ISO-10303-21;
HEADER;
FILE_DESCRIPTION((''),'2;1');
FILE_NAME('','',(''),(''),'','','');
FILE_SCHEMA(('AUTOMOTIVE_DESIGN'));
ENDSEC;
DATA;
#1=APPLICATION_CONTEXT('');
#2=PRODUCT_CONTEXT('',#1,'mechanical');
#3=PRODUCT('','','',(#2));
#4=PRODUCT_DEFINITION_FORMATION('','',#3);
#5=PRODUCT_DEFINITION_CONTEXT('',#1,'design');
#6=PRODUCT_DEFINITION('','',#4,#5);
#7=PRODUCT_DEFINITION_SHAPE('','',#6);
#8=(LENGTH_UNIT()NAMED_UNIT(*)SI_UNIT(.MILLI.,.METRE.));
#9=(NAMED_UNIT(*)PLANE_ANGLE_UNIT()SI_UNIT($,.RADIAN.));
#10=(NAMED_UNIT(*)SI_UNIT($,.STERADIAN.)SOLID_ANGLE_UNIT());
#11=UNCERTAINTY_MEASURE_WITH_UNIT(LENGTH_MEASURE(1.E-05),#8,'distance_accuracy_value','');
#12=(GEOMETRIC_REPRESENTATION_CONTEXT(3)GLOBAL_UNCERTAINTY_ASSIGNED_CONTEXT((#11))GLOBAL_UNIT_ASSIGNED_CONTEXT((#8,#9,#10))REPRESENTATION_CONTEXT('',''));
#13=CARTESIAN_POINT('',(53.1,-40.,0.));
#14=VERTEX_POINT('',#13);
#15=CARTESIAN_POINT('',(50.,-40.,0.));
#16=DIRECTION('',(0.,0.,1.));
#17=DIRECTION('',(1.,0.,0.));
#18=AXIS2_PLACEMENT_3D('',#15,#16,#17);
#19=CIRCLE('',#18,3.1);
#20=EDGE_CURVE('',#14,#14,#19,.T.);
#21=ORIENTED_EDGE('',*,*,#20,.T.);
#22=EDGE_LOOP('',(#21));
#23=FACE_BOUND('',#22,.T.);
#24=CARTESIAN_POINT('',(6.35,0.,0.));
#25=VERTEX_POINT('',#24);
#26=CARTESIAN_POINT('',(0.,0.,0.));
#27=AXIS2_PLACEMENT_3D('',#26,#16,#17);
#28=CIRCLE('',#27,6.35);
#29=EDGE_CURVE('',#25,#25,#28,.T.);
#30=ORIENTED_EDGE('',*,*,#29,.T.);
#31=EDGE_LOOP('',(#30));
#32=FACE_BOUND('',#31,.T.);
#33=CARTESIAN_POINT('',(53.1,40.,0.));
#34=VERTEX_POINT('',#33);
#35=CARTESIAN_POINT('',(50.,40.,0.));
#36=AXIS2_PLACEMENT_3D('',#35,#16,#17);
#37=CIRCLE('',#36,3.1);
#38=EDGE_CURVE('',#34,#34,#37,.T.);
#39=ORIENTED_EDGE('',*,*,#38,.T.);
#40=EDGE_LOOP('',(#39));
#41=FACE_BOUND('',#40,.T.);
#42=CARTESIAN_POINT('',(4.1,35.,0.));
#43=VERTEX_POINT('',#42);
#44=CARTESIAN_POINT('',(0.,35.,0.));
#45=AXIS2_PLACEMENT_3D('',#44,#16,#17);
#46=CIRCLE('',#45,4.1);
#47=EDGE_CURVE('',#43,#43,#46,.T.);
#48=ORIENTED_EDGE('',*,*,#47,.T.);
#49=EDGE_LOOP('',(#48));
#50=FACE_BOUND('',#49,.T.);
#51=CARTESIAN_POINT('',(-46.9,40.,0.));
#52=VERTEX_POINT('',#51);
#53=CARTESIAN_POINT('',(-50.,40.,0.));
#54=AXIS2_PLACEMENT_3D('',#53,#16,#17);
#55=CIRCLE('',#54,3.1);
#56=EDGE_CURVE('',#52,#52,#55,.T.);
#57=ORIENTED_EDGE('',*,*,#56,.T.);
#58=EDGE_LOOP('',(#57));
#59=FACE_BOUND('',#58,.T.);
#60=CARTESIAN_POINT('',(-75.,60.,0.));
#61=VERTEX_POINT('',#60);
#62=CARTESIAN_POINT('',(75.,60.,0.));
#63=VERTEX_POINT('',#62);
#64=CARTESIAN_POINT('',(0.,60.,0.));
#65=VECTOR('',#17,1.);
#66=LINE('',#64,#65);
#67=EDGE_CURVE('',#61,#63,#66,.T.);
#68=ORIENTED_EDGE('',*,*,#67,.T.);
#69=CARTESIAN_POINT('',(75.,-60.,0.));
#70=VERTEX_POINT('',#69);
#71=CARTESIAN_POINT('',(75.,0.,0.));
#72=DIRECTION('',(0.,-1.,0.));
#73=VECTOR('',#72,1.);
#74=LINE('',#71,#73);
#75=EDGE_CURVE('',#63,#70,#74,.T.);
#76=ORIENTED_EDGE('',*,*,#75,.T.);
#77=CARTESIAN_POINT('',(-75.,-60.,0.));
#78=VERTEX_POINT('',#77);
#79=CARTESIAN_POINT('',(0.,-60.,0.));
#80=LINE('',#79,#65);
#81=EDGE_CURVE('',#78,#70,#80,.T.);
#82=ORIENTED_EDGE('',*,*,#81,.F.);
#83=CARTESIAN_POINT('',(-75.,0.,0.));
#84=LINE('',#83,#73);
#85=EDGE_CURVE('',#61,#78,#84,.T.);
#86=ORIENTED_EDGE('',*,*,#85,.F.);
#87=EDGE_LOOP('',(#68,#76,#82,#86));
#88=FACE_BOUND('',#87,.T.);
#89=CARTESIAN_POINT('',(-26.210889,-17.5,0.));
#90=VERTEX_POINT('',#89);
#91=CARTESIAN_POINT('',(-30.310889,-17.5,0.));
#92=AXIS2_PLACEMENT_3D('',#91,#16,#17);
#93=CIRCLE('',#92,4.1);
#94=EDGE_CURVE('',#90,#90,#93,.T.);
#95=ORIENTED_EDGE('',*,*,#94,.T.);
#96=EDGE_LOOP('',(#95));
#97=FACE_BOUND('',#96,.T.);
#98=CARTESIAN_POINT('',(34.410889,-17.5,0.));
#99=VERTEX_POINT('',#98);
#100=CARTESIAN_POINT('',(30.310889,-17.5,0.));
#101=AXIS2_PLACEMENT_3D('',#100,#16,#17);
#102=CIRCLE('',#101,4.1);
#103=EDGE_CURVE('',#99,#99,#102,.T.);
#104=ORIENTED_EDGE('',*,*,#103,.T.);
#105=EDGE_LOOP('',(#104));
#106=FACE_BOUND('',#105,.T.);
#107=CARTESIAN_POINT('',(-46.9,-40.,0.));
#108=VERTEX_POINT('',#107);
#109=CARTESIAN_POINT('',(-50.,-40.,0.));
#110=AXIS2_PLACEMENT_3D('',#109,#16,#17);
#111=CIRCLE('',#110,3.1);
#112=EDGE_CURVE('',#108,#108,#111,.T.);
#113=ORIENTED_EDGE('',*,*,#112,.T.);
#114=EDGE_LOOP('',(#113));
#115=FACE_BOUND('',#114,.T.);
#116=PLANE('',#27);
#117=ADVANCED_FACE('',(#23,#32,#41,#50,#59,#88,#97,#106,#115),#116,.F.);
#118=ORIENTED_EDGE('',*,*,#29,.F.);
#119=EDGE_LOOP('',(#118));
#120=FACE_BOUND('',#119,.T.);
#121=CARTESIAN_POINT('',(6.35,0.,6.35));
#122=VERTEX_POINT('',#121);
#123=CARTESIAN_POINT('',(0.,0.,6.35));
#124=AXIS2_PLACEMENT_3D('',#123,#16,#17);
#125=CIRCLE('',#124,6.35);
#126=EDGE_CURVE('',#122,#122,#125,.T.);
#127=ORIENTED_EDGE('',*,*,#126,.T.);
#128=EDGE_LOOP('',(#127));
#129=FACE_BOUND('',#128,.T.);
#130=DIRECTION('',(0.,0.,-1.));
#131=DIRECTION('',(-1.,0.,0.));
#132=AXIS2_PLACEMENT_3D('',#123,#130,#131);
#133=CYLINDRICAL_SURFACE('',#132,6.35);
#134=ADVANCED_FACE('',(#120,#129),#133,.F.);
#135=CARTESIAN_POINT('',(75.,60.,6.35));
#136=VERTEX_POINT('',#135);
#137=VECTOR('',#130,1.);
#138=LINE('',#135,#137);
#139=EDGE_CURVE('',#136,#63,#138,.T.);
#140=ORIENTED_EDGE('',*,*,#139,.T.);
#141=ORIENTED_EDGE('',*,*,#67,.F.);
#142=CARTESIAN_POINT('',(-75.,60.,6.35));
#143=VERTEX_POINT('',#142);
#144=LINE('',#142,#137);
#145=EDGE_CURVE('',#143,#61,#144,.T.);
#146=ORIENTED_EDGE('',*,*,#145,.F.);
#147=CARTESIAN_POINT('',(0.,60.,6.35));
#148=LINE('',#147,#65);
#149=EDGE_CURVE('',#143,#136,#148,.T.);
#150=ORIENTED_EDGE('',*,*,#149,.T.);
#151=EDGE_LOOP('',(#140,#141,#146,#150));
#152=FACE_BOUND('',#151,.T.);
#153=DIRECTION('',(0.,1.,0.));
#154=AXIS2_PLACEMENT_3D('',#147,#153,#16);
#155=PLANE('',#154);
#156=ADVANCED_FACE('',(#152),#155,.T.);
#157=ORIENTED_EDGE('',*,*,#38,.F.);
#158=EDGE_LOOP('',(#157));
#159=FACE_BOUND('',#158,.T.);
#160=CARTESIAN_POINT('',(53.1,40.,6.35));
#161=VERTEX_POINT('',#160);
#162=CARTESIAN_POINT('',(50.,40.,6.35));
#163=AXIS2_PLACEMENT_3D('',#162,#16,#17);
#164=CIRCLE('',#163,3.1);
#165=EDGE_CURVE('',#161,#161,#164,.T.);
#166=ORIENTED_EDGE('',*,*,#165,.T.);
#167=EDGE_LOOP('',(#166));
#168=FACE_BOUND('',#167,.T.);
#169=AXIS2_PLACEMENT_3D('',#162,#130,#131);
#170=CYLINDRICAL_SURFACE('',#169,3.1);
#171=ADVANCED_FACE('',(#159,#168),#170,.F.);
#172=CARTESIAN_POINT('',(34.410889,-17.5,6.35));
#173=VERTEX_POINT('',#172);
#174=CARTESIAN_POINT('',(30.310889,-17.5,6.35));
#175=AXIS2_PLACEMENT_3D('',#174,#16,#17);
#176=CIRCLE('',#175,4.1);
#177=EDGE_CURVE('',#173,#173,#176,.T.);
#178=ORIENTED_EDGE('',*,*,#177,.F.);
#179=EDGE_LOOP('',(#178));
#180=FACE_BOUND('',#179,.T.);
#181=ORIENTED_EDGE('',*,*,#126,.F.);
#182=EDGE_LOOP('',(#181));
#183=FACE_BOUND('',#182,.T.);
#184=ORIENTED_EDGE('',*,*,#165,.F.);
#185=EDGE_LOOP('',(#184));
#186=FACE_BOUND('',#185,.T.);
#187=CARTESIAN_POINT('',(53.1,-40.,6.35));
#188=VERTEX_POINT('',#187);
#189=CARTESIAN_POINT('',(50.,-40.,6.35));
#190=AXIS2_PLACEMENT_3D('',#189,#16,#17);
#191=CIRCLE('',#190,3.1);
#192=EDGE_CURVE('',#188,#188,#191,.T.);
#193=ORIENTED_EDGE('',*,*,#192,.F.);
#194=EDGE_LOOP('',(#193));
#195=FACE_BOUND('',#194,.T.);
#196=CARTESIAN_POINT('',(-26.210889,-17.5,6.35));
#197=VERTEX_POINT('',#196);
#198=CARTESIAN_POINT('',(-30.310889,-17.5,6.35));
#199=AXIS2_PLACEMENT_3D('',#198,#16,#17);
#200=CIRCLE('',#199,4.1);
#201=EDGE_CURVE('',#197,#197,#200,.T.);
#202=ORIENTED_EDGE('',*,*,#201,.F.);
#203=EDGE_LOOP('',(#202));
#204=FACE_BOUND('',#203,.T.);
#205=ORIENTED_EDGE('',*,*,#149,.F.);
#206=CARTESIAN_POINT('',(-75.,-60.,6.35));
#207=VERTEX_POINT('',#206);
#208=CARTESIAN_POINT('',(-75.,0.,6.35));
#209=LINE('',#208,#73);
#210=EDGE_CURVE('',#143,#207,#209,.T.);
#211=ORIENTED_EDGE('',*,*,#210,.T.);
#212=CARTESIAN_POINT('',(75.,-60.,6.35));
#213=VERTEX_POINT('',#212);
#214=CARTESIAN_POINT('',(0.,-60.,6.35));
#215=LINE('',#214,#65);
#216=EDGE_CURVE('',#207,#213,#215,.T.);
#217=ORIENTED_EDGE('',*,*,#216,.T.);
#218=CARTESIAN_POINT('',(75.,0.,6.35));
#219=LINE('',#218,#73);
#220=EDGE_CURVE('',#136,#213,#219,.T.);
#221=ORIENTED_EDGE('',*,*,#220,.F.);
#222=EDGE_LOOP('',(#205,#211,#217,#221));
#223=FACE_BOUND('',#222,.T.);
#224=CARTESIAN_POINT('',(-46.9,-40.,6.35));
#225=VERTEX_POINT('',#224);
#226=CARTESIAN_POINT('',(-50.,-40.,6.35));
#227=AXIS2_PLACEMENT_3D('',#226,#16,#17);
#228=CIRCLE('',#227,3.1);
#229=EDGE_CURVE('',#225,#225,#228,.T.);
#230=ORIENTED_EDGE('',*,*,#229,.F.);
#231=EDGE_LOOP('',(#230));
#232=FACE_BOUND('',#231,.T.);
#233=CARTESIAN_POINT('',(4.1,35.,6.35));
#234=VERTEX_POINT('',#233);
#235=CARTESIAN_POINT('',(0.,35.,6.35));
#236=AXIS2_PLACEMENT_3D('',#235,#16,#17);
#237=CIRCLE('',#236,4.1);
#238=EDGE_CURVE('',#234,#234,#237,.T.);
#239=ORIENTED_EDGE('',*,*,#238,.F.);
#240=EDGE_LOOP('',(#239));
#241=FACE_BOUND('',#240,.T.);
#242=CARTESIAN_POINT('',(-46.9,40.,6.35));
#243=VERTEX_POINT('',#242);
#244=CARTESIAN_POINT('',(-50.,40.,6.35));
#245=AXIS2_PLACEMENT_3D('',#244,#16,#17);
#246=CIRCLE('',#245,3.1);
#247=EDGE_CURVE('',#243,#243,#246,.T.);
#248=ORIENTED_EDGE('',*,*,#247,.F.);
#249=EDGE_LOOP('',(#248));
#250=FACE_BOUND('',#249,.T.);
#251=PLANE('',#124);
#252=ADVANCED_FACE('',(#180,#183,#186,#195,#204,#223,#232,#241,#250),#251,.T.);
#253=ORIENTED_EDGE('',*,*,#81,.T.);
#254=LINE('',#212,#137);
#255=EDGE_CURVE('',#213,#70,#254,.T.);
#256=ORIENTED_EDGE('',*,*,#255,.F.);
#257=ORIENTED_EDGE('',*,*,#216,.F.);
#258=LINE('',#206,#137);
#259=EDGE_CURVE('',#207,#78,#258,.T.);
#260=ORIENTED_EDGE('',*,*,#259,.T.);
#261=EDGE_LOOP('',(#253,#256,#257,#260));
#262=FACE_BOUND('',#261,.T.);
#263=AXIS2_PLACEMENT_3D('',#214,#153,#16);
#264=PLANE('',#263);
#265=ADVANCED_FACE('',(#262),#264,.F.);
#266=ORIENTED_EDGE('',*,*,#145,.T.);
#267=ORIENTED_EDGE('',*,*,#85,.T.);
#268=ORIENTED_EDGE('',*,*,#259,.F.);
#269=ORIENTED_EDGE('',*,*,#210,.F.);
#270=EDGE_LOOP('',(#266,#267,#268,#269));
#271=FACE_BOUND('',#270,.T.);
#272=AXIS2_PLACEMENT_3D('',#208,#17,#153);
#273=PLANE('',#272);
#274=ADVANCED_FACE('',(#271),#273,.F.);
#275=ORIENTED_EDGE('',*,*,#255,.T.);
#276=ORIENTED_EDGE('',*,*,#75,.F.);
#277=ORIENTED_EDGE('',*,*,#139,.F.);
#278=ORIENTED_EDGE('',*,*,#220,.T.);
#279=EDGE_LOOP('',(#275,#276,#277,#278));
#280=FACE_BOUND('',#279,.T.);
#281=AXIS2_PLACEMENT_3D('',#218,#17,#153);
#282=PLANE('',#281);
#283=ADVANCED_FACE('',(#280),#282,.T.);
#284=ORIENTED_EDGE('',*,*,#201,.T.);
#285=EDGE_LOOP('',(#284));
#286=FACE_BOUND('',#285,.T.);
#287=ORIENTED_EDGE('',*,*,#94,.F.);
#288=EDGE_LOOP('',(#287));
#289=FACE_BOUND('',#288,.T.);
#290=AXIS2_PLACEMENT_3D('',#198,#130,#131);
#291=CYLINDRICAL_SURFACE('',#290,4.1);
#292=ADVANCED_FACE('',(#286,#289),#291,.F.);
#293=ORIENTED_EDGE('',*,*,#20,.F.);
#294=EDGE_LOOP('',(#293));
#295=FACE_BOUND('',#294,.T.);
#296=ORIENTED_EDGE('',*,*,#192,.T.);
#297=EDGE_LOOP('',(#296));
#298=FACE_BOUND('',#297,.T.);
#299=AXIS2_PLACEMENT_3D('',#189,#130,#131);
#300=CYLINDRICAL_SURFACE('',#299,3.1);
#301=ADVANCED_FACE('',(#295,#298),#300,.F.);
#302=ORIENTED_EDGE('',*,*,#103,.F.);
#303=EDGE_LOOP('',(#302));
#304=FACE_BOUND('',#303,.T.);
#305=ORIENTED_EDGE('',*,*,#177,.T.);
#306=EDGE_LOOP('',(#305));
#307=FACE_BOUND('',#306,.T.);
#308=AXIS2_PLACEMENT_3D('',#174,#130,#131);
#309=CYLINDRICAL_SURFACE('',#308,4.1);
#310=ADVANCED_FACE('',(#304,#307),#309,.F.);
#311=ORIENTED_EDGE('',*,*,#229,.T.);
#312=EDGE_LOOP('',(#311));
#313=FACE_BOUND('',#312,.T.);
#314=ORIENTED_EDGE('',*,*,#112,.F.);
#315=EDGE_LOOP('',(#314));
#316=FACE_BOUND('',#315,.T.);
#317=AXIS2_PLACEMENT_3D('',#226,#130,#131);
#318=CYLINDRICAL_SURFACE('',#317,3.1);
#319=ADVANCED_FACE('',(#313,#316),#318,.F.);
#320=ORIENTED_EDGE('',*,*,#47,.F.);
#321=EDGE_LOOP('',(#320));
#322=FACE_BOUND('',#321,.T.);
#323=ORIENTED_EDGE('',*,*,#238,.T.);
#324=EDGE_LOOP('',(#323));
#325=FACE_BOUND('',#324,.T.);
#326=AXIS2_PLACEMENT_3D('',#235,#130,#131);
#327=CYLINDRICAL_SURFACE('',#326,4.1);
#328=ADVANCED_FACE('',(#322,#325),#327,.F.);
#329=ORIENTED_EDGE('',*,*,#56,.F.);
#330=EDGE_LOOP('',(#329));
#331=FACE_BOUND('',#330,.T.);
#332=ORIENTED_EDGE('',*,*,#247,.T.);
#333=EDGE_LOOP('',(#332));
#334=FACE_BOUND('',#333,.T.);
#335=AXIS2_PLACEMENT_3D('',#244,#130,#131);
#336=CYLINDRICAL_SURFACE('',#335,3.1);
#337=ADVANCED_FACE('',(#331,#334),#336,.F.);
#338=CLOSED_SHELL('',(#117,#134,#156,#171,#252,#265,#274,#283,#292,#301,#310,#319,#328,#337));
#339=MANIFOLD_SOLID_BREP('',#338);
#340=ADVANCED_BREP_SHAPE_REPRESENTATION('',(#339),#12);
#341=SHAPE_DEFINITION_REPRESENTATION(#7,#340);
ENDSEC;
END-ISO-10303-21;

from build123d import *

# Parameters (mm, degrees)
CROQUIS1_W              = 150
CROQUIS1_H              = 120
CROQUIS1_R              = 4.1
CROQUIS1_R_2            = 3.1
CROQUIS1_R_3            = 6.35
SALIENTE_EXTRUIR1_DEPTH = 6.35


with BuildPart() as part:
    # Croquis1 → Saliente-Extruir1 (new body)
    with BuildSketch(Plane.XY):
        Rectangle(CROQUIS1_W, CROQUIS1_H)
        with Locations((0, 35)):
            Circle(CROQUIS1_R, mode=Mode.SUBTRACT)
        with Locations((-50, -40)):
            Circle(CROQUIS1_R_2, mode=Mode.SUBTRACT)
        with Locations((30.310889132, -17.5)):
            Circle(CROQUIS1_R, mode=Mode.SUBTRACT)
        with Locations((-30.310889132, -17.5)):
            Circle(CROQUIS1_R, mode=Mode.SUBTRACT)
        with Locations((50, -40)):
            Circle(CROQUIS1_R_2, mode=Mode.SUBTRACT)
        with Locations((50, 40)):
            Circle(CROQUIS1_R_2, mode=Mode.SUBTRACT)
        with Locations((-50, 40)):
            Circle(CROQUIS1_R_2, mode=Mode.SUBTRACT)
        Circle(CROQUIS1_R_3, mode=Mode.SUBTRACT)
    extrude(amount=SALIENTE_EXTRUIR1_DEPTH)


solid = part.part
